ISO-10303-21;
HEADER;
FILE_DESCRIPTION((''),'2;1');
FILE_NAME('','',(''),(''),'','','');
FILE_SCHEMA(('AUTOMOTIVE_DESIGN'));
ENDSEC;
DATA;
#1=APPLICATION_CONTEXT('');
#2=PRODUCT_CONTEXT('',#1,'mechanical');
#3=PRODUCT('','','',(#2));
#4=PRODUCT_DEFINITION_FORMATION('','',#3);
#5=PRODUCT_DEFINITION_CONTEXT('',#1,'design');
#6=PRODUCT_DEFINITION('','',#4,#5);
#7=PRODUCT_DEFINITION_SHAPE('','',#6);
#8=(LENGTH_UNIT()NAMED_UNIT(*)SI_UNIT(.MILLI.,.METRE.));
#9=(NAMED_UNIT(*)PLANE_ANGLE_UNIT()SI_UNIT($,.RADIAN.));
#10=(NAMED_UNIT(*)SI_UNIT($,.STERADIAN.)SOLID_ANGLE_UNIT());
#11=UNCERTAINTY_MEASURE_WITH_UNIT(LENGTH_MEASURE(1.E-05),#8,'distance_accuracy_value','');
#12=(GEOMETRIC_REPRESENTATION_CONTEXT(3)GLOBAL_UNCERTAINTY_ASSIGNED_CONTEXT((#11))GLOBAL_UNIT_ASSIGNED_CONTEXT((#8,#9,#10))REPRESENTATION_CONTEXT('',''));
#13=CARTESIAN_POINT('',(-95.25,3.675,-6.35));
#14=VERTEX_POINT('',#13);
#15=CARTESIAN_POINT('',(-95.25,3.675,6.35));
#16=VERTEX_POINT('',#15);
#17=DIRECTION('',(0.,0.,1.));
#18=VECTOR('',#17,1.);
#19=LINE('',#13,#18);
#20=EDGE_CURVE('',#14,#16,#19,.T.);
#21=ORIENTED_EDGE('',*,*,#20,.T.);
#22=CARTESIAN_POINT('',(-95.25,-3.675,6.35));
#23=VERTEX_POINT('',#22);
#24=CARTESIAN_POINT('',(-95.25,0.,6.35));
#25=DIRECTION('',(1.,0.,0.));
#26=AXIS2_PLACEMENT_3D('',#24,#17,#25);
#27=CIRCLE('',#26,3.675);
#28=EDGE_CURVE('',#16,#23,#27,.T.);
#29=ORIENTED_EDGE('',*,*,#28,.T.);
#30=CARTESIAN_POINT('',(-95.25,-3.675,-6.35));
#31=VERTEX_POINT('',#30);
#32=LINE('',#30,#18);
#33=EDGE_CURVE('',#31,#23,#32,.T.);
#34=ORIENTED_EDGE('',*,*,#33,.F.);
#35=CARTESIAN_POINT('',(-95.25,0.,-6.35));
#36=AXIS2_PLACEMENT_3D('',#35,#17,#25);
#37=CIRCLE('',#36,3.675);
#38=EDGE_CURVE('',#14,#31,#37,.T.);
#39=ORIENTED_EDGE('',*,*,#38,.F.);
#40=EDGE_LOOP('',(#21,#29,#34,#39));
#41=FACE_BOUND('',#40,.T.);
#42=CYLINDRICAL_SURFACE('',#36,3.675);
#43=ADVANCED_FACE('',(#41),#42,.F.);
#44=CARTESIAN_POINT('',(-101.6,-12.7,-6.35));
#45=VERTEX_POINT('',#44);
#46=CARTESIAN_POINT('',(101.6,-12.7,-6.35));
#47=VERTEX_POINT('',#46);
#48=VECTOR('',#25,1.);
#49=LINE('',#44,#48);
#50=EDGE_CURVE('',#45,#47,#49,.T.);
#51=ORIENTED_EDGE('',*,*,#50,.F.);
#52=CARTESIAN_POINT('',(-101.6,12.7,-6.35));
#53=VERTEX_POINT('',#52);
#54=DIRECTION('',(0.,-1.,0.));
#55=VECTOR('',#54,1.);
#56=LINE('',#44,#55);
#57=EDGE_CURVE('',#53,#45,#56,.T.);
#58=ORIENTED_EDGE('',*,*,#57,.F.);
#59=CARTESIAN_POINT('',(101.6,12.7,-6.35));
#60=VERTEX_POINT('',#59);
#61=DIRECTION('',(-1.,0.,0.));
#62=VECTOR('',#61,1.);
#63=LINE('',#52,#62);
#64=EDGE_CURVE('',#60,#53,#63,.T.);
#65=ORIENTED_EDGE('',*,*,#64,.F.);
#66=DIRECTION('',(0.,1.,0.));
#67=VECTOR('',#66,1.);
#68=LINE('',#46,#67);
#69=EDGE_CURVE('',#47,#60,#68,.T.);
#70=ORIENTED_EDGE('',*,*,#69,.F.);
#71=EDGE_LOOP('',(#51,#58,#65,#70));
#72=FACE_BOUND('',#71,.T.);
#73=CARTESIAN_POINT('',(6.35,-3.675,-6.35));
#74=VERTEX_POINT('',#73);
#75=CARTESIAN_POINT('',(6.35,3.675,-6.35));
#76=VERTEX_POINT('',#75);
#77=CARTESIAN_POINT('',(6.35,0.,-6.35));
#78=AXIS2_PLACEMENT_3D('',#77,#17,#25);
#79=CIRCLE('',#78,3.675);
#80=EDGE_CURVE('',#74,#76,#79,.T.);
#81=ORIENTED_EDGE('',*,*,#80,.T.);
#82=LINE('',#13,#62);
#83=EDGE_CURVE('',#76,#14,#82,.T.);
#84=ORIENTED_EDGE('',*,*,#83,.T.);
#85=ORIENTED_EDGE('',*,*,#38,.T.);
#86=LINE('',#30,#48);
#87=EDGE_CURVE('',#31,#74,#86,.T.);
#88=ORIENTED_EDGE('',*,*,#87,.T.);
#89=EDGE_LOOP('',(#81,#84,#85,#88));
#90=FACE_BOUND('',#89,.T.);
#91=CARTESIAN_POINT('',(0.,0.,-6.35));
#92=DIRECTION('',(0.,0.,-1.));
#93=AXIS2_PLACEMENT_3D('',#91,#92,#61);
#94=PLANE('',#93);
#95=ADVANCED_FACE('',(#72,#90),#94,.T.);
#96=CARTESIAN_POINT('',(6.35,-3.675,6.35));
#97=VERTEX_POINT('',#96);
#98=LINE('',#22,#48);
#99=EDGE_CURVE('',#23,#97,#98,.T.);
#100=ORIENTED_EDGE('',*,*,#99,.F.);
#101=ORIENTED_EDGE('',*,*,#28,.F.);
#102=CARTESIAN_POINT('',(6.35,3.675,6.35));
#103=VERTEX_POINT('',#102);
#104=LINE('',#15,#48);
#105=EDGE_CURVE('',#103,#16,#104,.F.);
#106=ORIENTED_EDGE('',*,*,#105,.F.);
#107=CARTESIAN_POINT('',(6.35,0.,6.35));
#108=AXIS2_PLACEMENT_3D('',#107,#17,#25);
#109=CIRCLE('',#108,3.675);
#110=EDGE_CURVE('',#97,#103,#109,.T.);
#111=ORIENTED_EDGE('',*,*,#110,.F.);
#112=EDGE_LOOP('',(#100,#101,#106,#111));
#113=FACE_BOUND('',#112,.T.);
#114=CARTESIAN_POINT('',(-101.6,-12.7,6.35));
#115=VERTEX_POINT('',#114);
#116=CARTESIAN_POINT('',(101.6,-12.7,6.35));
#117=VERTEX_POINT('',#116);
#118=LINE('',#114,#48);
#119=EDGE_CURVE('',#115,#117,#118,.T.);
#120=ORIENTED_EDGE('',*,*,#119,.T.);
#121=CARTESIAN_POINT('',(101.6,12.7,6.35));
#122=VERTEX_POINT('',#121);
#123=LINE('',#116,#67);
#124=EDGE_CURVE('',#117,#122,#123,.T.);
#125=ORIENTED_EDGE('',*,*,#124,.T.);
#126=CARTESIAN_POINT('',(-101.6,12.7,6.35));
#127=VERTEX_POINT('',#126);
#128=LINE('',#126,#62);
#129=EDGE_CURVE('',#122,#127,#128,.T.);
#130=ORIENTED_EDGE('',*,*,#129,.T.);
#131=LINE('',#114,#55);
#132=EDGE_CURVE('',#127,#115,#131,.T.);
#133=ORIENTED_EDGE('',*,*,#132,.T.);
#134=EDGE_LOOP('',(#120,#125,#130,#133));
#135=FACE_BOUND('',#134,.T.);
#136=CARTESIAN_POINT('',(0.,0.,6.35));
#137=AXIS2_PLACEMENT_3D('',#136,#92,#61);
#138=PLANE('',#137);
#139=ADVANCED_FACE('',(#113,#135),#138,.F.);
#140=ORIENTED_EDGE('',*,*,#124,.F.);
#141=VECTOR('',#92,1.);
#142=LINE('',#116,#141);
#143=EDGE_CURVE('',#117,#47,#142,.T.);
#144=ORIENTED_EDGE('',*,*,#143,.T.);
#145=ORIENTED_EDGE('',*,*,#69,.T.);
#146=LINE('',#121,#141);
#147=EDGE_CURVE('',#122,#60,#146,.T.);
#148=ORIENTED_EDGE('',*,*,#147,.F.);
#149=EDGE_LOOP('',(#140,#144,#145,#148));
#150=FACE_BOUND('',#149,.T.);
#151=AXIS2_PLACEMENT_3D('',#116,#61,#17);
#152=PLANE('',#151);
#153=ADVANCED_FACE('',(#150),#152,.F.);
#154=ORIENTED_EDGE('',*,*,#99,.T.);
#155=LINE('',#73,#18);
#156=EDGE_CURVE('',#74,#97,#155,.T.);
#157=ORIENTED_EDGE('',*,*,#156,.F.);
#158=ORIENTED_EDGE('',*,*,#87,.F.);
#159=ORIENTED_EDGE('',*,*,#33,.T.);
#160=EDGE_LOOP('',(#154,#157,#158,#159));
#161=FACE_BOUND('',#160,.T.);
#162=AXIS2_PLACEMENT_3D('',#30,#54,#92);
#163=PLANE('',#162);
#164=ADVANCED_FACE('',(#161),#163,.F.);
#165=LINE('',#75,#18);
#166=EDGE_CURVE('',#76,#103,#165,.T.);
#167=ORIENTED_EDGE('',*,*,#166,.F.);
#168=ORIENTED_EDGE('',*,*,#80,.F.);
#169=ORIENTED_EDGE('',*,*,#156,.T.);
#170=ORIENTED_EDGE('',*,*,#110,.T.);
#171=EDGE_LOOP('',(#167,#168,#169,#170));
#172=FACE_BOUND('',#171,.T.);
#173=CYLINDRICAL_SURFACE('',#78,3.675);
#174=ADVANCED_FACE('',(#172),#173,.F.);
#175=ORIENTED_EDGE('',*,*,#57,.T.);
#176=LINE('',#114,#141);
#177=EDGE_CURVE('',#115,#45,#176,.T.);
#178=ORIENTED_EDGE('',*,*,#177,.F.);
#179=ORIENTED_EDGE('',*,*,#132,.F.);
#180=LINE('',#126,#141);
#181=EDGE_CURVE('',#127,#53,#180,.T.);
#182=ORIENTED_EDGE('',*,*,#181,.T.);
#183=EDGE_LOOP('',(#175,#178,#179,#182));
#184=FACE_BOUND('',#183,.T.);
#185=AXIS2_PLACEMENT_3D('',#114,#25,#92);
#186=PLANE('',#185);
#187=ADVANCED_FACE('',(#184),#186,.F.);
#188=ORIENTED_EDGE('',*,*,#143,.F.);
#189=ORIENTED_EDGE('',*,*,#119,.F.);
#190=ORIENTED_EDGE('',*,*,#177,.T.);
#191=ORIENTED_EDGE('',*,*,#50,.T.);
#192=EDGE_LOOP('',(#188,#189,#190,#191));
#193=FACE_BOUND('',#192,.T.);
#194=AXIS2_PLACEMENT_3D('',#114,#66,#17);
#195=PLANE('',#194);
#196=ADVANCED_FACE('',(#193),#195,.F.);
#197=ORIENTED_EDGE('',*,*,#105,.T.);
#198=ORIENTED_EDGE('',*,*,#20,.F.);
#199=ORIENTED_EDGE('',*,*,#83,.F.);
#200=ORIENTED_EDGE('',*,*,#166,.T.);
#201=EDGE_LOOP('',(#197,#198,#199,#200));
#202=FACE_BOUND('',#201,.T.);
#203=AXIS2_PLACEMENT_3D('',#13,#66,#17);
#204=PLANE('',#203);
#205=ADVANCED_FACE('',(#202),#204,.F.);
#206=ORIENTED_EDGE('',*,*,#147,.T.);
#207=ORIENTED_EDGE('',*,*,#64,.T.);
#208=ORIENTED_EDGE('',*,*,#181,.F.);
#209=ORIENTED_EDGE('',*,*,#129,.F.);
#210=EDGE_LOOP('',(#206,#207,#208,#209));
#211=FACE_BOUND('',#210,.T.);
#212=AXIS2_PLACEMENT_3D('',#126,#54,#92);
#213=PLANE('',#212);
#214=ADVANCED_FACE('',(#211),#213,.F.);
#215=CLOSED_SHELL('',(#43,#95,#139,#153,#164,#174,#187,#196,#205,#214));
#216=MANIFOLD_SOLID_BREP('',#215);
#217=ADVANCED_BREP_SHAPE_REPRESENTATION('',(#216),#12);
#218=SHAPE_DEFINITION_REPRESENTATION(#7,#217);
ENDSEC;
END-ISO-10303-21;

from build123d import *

# Parameters (mm, degrees)
SKETCH1_W               = 203.2
SKETCH1_H               = 25.4
BOSS_EXTRUDE1_DEPTH     = 6.35
CUT_EXTRUDE1_DEPTH      = 104.175287739
CUT_EXTRUDE1_DEPTH_BACK = 104.175287739


with BuildPart() as part:
    # Sketch1 → Boss-Extrude1 (new, symmetric)
    with BuildSketch(Plane.XY):
        Rectangle(SKETCH1_W, SKETCH1_H)
    extrude(amount=BOSS_EXTRUDE1_DEPTH, both=True)

    # Sketch2 → Cut-Extrude1 (cut, two sides: drawn at the far end of the back side and taken through both)
    with BuildSketch(Plane.XY.offset(6.35).offset(-CUT_EXTRUDE1_DEPTH_BACK)):
        with BuildLine():
            Line((-95.25, 3.675), (6.35, 3.675))
            ThreePointArc((6.35, 3.675), (10.025, 0), (6.35, -3.675))
            Line((6.35, -3.675), (-95.25, -3.675))
            ThreePointArc((-95.25, -3.675), (-98.925, 0), (-95.25, 3.675))
        make_face()
    extrude(amount=CUT_EXTRUDE1_DEPTH + CUT_EXTRUDE1_DEPTH_BACK, mode=Mode.SUBTRACT)


solid = part.part
